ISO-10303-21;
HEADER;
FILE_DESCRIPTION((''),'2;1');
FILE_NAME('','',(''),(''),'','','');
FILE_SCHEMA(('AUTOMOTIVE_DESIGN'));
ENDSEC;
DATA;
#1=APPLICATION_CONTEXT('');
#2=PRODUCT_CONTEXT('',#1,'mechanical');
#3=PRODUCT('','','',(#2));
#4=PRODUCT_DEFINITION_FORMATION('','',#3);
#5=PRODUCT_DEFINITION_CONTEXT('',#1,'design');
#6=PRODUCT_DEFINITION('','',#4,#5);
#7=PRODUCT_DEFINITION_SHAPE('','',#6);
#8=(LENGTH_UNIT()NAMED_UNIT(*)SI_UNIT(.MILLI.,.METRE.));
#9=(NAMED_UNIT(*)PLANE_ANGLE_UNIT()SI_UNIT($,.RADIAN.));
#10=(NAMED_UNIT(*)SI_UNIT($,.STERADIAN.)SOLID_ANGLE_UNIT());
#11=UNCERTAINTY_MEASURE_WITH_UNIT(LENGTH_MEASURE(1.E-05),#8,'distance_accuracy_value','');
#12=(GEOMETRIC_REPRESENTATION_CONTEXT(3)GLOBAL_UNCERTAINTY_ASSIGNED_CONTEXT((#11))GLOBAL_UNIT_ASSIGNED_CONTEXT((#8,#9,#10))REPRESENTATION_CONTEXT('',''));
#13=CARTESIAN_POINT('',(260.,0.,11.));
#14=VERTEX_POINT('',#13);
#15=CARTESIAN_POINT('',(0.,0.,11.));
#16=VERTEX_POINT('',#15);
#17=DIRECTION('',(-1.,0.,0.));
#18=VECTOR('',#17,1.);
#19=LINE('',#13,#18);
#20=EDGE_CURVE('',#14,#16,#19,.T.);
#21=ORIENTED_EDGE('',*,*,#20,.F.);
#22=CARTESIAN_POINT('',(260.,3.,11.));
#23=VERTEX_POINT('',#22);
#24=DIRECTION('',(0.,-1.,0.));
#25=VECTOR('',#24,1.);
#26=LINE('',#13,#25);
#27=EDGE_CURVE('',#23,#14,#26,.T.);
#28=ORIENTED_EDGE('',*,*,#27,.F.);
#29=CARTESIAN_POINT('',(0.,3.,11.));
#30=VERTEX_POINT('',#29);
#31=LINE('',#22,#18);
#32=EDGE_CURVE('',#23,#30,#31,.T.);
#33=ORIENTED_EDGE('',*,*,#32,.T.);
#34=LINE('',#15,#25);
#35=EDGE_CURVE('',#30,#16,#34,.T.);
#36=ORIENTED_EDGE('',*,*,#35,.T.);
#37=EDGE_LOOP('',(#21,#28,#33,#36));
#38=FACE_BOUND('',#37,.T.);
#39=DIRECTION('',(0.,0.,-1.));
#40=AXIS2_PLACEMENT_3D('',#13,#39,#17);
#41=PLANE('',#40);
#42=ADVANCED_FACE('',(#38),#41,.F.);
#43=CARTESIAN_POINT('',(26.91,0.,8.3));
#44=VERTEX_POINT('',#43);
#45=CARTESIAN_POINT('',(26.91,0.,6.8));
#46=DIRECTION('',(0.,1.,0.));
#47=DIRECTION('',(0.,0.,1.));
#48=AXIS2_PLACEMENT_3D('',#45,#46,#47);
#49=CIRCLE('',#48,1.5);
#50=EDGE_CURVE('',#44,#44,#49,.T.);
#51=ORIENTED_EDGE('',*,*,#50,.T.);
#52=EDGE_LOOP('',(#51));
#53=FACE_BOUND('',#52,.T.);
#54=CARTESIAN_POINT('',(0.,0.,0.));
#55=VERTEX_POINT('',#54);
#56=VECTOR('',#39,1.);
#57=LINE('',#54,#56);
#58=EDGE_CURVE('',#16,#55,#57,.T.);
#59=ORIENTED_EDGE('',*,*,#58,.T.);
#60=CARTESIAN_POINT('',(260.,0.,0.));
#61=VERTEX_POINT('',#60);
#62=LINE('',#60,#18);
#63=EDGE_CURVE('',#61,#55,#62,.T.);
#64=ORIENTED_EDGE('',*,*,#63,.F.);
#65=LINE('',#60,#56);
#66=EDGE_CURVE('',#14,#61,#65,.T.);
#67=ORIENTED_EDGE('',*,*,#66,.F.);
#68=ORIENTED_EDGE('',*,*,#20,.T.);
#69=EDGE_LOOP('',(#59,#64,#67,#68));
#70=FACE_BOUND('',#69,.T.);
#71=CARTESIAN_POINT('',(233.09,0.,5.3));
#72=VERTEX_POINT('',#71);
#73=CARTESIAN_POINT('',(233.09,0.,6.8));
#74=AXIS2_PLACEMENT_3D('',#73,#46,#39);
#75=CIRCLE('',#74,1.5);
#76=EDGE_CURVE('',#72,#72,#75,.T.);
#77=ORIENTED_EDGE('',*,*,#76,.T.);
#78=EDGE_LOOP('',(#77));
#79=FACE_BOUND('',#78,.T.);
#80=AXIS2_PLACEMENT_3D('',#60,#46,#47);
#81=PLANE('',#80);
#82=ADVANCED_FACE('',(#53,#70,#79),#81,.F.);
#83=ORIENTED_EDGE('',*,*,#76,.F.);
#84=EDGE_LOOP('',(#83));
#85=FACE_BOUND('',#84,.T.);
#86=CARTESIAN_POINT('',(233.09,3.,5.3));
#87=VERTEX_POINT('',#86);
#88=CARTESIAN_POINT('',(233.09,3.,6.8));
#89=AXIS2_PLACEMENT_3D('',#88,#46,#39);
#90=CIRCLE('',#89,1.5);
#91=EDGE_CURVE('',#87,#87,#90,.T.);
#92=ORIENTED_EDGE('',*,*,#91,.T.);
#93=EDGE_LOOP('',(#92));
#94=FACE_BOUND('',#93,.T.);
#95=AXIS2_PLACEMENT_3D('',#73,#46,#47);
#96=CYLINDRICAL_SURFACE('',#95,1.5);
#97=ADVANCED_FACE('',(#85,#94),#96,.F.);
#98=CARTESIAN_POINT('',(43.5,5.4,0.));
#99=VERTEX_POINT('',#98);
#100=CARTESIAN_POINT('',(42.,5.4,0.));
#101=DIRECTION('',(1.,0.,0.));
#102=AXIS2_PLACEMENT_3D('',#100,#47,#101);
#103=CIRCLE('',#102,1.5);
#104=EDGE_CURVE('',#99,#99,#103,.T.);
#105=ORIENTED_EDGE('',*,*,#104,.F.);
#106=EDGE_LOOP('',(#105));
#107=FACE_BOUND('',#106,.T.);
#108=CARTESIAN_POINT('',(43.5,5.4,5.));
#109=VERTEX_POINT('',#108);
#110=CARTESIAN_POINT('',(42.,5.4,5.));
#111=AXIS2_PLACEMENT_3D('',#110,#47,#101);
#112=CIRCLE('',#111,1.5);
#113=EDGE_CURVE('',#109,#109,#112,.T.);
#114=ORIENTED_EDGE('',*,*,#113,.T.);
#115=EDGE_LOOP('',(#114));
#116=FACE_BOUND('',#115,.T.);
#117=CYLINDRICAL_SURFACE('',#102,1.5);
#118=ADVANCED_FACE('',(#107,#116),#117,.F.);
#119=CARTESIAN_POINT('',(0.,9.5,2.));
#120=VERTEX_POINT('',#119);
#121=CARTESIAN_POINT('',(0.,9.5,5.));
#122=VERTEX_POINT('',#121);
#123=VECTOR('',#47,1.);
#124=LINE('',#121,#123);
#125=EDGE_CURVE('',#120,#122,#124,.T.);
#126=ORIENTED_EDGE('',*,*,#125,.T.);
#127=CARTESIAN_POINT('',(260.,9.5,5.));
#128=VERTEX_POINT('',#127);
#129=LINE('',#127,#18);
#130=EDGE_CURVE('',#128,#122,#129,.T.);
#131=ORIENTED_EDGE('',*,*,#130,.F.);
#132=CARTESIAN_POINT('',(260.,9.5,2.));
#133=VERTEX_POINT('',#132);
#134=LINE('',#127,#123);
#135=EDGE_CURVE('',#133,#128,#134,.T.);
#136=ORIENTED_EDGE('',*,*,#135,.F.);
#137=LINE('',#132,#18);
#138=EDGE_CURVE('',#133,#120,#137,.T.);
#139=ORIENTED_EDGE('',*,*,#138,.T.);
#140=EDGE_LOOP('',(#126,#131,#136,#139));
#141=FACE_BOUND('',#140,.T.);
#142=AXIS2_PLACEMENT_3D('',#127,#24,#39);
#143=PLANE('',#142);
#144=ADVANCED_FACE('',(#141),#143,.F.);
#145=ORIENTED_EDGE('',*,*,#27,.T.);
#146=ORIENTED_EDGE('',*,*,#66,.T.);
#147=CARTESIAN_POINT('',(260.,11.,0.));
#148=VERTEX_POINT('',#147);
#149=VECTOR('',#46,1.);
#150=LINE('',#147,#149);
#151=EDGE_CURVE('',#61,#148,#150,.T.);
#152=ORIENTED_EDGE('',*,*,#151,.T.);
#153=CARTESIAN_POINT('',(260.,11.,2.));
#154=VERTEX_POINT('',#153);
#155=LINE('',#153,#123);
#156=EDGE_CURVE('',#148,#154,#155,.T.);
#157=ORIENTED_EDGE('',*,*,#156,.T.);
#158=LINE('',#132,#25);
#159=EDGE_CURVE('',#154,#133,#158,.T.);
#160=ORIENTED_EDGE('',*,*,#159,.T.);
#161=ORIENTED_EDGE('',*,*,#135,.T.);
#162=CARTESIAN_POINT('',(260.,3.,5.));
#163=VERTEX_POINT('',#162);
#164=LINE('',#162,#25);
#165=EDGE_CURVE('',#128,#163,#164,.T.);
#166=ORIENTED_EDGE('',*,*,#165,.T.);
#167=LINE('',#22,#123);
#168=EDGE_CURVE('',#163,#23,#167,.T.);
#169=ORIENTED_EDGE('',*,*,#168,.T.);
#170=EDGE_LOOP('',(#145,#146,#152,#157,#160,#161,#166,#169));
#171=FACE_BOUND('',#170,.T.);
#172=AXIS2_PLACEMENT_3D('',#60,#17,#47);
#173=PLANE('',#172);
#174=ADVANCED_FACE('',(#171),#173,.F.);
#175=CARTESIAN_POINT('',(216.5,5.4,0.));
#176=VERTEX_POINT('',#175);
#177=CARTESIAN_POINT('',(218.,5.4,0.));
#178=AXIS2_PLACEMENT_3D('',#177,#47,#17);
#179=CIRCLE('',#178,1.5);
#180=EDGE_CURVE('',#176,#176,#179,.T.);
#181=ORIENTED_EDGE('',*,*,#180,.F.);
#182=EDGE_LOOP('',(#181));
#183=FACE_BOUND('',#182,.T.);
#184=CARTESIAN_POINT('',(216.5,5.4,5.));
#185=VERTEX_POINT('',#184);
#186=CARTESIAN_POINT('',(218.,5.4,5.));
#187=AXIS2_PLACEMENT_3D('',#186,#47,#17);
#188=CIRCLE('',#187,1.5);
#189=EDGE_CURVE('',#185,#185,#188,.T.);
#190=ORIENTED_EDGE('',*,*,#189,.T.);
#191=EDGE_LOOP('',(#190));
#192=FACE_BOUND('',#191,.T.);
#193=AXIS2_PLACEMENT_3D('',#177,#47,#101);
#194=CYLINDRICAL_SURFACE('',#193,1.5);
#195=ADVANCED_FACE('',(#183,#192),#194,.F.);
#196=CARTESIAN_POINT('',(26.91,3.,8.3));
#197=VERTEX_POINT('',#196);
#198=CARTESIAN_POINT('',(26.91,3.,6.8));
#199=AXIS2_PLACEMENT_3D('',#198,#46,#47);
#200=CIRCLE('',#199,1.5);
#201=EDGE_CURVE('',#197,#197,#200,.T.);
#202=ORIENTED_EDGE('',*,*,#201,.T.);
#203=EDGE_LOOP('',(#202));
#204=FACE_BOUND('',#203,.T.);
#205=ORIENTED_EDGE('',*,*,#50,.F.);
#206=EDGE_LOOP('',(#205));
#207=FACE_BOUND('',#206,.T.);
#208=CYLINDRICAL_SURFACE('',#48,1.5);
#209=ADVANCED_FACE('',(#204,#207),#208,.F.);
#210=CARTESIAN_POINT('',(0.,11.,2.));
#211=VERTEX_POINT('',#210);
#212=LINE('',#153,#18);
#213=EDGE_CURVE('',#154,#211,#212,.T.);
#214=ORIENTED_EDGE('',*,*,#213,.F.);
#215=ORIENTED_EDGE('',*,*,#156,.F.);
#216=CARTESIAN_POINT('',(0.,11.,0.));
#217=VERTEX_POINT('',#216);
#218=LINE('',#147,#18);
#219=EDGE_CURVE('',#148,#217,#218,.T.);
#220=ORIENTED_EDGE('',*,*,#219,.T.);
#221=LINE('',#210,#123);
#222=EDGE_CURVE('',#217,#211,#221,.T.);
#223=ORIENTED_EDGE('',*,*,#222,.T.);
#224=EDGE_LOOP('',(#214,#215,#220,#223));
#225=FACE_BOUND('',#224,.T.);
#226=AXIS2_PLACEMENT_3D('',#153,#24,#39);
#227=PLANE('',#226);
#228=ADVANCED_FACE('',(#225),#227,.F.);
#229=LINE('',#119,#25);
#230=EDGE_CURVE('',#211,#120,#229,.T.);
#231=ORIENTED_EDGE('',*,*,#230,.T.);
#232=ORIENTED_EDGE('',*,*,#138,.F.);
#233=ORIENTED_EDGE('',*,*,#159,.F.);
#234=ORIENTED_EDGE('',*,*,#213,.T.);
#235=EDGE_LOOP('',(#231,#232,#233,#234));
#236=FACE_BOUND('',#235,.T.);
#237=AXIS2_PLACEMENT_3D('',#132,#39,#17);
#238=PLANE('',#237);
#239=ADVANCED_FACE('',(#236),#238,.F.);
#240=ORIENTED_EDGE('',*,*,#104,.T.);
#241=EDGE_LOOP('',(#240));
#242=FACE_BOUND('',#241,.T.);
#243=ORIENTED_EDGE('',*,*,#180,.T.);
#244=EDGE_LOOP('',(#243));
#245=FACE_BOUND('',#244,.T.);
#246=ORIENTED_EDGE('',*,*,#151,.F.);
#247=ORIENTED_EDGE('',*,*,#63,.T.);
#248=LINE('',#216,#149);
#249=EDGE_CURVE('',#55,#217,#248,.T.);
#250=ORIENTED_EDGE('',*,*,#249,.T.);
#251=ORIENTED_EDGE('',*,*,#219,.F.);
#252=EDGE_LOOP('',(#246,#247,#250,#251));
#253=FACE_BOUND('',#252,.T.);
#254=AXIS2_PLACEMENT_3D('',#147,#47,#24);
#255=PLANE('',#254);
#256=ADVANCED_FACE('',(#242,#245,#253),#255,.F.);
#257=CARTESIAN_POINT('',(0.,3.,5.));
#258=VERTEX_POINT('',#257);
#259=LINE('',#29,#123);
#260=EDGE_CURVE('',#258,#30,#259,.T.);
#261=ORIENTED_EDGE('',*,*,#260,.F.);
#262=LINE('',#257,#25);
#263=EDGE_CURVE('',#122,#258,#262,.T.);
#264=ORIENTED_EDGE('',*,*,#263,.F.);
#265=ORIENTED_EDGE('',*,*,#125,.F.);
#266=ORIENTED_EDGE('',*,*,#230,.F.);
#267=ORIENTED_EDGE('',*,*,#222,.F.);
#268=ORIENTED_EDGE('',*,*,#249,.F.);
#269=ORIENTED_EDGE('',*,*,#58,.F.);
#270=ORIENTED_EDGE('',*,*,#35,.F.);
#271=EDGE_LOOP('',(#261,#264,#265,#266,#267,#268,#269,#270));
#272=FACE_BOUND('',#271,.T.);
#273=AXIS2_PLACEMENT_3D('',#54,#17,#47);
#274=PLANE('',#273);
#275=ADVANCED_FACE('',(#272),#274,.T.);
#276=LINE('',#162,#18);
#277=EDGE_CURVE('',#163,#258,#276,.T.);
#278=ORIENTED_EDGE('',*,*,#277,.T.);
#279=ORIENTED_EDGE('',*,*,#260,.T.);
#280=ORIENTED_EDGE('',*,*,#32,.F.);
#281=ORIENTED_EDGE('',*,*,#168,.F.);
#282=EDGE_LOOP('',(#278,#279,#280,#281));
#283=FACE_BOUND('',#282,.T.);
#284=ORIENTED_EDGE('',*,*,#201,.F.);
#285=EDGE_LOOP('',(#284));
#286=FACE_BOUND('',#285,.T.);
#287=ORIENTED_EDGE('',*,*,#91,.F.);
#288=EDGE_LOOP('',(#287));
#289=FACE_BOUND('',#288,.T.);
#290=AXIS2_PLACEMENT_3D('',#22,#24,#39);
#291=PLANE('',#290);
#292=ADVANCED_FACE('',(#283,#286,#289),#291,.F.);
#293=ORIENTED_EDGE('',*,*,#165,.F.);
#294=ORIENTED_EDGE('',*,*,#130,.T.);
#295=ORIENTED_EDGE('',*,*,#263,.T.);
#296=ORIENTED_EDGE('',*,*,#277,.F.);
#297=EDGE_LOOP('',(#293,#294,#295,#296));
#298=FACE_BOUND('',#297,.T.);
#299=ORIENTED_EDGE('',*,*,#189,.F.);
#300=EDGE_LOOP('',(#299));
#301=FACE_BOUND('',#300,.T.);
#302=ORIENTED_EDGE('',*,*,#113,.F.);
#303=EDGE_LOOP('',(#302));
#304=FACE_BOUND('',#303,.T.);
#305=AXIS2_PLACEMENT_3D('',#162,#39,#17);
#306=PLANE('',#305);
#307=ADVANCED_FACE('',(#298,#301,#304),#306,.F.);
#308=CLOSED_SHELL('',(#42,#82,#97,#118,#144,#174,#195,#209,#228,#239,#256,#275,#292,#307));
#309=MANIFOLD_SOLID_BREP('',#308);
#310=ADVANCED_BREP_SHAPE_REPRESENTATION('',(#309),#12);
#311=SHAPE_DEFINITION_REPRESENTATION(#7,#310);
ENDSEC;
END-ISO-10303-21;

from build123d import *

# Parameters (mm, degrees)
EXTRUDE_1_DEPTH     = 260
SKETCH_4_R          = 1.5
CUT_EXTRUDE_3_DEPTH = 6
SKETCH_5_R          = 1.5
CUT_EXTRUDE_4_DEPTH = 4


with BuildPart() as part:
    # Эскиз1 → Бобышка-Вытянуть1 (new body)
    with BuildSketch(Plane(origin=(0, 0, 0), x_dir=(0, 0, -1), z_dir=(1, 0, 0))):
        Polygon((0, 0), (-11, 0), (-11, 3), (-5, 3), (-5, 9.5), (-2, 9.5), (-2, 11), (0, 11), align=None)
    extrude(amount=EXTRUDE_1_DEPTH)

    # Эскиз4 → Вырез-Вытянуть3 (cut, through all)
    with BuildSketch(Plane.XY.offset(5)):
        with Locations((42, 5.4)):
            Circle(SKETCH_4_R)
        with Locations((218, 5.4)):
            Circle(SKETCH_4_R)
    extrude(amount=-CUT_EXTRUDE_3_DEPTH, mode=Mode.SUBTRACT)

    # Эскиз5 → Вырез-Вытянуть4 (cut, through all)
    with BuildSketch(Plane(origin=(0, 3, 0), x_dir=(1, 0, 0), z_dir=(0, 1, 0))):
        with Locations((26.91, -6.8)):
            Circle(SKETCH_5_R)
        with Locations((233.09, -6.8)):
            Circle(SKETCH_5_R)
    extrude(amount=-CUT_EXTRUDE_4_DEPTH, mode=Mode.SUBTRACT)


solid = part.part
